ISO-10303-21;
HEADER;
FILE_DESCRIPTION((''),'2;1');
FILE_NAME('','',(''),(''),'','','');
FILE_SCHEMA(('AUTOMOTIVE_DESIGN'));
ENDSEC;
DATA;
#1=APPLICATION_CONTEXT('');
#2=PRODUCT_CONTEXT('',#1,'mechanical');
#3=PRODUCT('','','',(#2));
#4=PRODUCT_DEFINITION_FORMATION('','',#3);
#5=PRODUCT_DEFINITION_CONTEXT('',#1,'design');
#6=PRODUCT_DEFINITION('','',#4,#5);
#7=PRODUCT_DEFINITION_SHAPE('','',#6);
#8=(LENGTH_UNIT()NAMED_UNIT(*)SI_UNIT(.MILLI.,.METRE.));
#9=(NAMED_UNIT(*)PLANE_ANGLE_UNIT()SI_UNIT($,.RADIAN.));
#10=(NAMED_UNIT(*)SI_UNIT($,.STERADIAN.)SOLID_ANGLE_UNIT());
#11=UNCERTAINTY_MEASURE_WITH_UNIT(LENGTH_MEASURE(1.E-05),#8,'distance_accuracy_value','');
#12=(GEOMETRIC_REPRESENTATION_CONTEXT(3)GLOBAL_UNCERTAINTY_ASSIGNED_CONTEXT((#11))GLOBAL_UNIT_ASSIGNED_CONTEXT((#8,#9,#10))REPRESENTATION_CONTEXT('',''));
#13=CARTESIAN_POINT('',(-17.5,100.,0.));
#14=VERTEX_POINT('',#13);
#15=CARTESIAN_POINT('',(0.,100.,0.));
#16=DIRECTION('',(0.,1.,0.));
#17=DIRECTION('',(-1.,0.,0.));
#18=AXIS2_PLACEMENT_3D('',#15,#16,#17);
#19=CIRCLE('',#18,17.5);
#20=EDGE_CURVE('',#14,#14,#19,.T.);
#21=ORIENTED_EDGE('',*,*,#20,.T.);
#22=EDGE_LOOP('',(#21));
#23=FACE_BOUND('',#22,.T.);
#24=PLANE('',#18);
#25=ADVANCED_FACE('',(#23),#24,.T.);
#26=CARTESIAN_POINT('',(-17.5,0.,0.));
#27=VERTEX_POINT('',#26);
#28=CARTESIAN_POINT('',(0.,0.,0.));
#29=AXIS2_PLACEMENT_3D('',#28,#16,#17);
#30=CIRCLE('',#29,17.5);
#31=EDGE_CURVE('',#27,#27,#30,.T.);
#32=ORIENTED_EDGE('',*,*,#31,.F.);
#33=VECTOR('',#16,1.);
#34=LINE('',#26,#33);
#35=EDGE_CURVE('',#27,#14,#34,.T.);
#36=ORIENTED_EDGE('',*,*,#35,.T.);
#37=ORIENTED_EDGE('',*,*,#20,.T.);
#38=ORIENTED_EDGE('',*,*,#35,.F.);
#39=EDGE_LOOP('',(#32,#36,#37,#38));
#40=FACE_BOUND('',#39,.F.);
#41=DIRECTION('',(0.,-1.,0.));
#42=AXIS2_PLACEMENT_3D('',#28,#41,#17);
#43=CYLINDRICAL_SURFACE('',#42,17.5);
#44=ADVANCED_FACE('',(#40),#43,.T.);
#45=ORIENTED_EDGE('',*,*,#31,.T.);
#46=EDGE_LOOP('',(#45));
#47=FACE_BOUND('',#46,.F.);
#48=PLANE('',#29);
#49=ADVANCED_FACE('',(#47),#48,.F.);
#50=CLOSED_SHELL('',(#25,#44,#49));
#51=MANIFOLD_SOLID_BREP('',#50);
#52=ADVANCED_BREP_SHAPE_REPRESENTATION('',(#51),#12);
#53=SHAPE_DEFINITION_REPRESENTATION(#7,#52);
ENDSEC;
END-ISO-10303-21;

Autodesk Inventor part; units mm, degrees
ref_plane "YZ Plane" through (0, 0, 0) normal (1, 0, 0) x (0, 1, 0)
ref_plane "XZ Plane" through (0, 0, 0) normal (0, 1, 0) x (-1, 0, 0)
ref_plane "XY Plane" through (0, 0, 0) normal (0, 0, 1) x (1, 0, 0)
sketch "Sketch1" plane through (0, 0, 0) normal (0, 1, 0) x (-1, 0, 0)
  circle A0 centre (0, 0) radius 17.5
  dimension "d0" = 35
extrude "Extrusion1" add sketch "Sketch1" along normal blind 100
properties part number "Dinolite"
